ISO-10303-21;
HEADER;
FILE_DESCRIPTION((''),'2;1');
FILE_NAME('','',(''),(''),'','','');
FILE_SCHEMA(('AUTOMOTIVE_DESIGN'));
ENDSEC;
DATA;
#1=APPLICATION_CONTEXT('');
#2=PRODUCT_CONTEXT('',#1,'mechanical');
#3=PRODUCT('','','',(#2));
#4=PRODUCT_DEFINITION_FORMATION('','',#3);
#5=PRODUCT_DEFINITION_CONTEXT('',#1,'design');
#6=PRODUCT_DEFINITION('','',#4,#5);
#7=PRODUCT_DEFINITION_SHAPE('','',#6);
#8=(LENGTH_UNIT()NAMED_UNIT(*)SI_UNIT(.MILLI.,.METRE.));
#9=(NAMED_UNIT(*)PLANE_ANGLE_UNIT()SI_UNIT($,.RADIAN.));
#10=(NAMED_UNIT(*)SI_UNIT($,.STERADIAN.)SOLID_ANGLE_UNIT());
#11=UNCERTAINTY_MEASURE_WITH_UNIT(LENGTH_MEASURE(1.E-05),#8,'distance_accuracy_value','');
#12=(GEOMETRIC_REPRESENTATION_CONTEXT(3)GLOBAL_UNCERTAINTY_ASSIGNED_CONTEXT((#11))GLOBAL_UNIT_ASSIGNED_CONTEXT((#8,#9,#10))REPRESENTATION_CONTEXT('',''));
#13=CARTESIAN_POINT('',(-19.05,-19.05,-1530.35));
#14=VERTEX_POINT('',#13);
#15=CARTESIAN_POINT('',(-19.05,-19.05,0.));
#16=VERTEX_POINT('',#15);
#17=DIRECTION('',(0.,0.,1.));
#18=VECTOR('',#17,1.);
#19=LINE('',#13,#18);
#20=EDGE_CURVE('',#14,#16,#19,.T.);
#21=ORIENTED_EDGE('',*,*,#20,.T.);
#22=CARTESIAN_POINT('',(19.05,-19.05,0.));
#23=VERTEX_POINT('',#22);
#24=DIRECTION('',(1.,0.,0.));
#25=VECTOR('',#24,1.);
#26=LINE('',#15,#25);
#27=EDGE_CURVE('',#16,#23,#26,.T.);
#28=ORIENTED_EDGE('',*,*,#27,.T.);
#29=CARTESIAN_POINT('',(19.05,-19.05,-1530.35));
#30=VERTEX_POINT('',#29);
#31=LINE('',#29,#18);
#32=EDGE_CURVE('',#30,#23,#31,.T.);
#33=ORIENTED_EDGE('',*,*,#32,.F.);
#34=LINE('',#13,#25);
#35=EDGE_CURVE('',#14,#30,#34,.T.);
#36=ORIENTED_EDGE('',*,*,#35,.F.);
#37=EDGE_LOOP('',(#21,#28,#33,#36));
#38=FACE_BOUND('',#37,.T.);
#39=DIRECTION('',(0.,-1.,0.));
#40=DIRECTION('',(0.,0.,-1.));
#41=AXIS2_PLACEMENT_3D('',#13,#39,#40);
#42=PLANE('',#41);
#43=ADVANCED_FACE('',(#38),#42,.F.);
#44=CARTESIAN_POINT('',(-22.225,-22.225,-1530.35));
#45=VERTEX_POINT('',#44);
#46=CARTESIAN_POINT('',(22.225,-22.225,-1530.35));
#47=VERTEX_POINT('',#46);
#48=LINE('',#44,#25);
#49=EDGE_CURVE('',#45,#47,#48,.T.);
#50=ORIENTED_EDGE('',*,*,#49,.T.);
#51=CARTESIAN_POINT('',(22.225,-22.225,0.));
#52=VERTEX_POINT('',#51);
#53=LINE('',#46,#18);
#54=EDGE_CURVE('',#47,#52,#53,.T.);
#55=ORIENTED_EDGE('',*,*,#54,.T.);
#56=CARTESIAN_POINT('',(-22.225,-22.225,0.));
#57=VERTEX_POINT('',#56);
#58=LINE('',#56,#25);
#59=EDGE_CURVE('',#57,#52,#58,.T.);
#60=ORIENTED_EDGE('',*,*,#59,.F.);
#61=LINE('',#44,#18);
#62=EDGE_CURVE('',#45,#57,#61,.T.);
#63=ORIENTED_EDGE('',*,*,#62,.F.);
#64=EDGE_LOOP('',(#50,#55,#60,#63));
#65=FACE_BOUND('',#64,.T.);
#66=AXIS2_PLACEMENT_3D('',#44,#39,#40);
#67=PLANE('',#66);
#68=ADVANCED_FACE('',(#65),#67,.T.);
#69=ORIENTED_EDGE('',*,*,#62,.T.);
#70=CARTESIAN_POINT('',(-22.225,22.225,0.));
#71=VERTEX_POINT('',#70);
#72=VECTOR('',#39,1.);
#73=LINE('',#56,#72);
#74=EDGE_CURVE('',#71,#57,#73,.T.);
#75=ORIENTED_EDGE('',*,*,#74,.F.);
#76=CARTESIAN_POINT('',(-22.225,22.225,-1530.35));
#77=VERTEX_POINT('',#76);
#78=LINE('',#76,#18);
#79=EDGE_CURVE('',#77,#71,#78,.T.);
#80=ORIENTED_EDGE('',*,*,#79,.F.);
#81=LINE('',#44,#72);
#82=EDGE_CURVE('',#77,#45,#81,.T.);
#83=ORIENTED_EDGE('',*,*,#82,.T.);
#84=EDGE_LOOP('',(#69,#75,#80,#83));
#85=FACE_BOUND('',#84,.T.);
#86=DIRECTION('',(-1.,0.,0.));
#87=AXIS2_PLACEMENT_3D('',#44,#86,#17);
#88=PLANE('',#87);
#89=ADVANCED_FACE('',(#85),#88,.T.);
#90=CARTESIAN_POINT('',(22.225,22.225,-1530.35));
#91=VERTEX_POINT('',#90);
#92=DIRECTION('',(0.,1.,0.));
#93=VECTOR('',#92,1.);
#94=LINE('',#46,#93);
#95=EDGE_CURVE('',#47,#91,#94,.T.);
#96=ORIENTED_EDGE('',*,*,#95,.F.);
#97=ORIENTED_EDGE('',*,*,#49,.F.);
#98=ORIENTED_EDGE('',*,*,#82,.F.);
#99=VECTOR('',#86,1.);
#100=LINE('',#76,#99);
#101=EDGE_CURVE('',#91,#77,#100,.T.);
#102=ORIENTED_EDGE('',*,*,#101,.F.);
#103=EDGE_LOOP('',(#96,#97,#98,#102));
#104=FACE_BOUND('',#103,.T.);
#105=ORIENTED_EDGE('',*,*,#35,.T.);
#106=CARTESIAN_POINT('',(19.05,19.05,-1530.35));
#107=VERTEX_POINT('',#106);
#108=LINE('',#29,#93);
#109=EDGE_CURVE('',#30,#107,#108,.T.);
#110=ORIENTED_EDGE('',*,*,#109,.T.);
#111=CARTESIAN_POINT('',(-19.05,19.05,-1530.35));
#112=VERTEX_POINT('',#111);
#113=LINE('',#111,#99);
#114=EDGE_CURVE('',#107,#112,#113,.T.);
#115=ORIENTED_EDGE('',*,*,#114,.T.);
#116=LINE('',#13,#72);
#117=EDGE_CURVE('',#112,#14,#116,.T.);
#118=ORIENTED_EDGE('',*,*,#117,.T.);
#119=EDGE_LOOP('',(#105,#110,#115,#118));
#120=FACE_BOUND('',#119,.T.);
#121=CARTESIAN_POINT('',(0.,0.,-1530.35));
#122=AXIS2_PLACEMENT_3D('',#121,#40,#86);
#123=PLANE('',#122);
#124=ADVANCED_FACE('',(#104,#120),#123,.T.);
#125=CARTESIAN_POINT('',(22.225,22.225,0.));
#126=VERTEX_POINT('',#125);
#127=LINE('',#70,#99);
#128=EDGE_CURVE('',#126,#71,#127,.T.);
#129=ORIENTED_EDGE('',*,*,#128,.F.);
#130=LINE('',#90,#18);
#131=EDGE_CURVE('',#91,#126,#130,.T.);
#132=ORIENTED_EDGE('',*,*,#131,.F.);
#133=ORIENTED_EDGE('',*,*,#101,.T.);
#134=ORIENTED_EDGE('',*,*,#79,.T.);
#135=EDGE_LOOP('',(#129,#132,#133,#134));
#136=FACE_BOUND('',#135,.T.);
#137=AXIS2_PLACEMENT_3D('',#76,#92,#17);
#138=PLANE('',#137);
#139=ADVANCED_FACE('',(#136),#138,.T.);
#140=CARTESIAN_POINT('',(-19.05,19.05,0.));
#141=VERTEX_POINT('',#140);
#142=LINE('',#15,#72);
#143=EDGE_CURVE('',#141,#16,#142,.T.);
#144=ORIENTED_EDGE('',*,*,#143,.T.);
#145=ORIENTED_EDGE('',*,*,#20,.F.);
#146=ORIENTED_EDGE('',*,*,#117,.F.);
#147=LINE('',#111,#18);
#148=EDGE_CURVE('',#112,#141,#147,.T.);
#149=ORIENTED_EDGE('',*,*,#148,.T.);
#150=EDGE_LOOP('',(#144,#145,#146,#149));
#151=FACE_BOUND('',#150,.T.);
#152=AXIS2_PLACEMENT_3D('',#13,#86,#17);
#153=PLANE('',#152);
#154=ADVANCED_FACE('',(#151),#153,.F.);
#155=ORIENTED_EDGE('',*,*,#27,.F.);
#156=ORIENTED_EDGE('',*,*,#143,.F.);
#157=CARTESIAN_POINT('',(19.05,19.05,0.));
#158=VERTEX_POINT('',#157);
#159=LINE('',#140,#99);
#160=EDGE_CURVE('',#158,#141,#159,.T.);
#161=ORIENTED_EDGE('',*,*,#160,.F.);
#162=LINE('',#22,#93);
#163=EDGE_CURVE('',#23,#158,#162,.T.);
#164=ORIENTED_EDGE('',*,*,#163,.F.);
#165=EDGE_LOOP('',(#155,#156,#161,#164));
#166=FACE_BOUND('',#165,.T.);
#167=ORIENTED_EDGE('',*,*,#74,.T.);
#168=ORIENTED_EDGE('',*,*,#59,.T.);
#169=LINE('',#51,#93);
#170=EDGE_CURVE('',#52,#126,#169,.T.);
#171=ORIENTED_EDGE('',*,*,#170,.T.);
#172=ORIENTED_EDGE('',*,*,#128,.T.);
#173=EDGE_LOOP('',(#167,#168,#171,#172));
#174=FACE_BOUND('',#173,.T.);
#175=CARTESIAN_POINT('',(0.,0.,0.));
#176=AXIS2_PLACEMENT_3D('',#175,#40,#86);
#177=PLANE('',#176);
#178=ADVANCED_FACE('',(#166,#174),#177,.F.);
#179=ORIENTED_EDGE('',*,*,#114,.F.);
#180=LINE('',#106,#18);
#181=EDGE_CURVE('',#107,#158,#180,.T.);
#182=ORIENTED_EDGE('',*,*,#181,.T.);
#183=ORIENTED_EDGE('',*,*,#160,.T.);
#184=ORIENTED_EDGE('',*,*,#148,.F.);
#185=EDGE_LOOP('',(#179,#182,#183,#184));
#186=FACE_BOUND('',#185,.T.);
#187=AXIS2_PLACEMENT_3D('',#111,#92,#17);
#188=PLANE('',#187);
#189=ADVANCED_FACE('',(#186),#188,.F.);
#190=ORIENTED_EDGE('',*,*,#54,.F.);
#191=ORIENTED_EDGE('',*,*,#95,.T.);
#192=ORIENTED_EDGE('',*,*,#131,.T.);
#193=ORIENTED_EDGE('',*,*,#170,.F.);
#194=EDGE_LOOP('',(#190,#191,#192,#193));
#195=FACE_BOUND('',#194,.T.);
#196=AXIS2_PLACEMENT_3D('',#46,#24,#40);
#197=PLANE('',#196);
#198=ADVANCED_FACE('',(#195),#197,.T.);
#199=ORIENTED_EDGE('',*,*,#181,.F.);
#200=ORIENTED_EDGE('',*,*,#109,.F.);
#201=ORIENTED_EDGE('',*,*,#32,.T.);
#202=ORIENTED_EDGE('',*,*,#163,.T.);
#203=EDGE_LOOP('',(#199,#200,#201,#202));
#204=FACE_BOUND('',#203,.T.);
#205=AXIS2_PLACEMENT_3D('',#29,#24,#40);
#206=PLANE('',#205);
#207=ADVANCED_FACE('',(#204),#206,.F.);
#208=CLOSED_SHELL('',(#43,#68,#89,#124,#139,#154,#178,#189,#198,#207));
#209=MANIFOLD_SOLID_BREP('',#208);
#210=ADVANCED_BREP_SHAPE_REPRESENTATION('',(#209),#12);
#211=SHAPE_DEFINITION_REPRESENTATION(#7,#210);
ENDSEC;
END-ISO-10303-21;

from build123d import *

# Parameters (mm, degrees)
SKETCH2_W           = 44.45
SKETCH2_H           = 44.45
SKETCH2_W_2         = 38.1
SKETCH2_H_2         = 38.1
BOSS_EXTRUDE1_DEPTH = 1530.35


with BuildPart() as part:
    # Sketch2 → Boss-Extrude1 (new body)
    with BuildSketch(Plane.XY):
        Rectangle(SKETCH2_W, SKETCH2_H)
        Rectangle(SKETCH2_W_2, SKETCH2_H_2, mode=Mode.SUBTRACT)
    extrude(amount=-BOSS_EXTRUDE1_DEPTH)


solid = part.part
